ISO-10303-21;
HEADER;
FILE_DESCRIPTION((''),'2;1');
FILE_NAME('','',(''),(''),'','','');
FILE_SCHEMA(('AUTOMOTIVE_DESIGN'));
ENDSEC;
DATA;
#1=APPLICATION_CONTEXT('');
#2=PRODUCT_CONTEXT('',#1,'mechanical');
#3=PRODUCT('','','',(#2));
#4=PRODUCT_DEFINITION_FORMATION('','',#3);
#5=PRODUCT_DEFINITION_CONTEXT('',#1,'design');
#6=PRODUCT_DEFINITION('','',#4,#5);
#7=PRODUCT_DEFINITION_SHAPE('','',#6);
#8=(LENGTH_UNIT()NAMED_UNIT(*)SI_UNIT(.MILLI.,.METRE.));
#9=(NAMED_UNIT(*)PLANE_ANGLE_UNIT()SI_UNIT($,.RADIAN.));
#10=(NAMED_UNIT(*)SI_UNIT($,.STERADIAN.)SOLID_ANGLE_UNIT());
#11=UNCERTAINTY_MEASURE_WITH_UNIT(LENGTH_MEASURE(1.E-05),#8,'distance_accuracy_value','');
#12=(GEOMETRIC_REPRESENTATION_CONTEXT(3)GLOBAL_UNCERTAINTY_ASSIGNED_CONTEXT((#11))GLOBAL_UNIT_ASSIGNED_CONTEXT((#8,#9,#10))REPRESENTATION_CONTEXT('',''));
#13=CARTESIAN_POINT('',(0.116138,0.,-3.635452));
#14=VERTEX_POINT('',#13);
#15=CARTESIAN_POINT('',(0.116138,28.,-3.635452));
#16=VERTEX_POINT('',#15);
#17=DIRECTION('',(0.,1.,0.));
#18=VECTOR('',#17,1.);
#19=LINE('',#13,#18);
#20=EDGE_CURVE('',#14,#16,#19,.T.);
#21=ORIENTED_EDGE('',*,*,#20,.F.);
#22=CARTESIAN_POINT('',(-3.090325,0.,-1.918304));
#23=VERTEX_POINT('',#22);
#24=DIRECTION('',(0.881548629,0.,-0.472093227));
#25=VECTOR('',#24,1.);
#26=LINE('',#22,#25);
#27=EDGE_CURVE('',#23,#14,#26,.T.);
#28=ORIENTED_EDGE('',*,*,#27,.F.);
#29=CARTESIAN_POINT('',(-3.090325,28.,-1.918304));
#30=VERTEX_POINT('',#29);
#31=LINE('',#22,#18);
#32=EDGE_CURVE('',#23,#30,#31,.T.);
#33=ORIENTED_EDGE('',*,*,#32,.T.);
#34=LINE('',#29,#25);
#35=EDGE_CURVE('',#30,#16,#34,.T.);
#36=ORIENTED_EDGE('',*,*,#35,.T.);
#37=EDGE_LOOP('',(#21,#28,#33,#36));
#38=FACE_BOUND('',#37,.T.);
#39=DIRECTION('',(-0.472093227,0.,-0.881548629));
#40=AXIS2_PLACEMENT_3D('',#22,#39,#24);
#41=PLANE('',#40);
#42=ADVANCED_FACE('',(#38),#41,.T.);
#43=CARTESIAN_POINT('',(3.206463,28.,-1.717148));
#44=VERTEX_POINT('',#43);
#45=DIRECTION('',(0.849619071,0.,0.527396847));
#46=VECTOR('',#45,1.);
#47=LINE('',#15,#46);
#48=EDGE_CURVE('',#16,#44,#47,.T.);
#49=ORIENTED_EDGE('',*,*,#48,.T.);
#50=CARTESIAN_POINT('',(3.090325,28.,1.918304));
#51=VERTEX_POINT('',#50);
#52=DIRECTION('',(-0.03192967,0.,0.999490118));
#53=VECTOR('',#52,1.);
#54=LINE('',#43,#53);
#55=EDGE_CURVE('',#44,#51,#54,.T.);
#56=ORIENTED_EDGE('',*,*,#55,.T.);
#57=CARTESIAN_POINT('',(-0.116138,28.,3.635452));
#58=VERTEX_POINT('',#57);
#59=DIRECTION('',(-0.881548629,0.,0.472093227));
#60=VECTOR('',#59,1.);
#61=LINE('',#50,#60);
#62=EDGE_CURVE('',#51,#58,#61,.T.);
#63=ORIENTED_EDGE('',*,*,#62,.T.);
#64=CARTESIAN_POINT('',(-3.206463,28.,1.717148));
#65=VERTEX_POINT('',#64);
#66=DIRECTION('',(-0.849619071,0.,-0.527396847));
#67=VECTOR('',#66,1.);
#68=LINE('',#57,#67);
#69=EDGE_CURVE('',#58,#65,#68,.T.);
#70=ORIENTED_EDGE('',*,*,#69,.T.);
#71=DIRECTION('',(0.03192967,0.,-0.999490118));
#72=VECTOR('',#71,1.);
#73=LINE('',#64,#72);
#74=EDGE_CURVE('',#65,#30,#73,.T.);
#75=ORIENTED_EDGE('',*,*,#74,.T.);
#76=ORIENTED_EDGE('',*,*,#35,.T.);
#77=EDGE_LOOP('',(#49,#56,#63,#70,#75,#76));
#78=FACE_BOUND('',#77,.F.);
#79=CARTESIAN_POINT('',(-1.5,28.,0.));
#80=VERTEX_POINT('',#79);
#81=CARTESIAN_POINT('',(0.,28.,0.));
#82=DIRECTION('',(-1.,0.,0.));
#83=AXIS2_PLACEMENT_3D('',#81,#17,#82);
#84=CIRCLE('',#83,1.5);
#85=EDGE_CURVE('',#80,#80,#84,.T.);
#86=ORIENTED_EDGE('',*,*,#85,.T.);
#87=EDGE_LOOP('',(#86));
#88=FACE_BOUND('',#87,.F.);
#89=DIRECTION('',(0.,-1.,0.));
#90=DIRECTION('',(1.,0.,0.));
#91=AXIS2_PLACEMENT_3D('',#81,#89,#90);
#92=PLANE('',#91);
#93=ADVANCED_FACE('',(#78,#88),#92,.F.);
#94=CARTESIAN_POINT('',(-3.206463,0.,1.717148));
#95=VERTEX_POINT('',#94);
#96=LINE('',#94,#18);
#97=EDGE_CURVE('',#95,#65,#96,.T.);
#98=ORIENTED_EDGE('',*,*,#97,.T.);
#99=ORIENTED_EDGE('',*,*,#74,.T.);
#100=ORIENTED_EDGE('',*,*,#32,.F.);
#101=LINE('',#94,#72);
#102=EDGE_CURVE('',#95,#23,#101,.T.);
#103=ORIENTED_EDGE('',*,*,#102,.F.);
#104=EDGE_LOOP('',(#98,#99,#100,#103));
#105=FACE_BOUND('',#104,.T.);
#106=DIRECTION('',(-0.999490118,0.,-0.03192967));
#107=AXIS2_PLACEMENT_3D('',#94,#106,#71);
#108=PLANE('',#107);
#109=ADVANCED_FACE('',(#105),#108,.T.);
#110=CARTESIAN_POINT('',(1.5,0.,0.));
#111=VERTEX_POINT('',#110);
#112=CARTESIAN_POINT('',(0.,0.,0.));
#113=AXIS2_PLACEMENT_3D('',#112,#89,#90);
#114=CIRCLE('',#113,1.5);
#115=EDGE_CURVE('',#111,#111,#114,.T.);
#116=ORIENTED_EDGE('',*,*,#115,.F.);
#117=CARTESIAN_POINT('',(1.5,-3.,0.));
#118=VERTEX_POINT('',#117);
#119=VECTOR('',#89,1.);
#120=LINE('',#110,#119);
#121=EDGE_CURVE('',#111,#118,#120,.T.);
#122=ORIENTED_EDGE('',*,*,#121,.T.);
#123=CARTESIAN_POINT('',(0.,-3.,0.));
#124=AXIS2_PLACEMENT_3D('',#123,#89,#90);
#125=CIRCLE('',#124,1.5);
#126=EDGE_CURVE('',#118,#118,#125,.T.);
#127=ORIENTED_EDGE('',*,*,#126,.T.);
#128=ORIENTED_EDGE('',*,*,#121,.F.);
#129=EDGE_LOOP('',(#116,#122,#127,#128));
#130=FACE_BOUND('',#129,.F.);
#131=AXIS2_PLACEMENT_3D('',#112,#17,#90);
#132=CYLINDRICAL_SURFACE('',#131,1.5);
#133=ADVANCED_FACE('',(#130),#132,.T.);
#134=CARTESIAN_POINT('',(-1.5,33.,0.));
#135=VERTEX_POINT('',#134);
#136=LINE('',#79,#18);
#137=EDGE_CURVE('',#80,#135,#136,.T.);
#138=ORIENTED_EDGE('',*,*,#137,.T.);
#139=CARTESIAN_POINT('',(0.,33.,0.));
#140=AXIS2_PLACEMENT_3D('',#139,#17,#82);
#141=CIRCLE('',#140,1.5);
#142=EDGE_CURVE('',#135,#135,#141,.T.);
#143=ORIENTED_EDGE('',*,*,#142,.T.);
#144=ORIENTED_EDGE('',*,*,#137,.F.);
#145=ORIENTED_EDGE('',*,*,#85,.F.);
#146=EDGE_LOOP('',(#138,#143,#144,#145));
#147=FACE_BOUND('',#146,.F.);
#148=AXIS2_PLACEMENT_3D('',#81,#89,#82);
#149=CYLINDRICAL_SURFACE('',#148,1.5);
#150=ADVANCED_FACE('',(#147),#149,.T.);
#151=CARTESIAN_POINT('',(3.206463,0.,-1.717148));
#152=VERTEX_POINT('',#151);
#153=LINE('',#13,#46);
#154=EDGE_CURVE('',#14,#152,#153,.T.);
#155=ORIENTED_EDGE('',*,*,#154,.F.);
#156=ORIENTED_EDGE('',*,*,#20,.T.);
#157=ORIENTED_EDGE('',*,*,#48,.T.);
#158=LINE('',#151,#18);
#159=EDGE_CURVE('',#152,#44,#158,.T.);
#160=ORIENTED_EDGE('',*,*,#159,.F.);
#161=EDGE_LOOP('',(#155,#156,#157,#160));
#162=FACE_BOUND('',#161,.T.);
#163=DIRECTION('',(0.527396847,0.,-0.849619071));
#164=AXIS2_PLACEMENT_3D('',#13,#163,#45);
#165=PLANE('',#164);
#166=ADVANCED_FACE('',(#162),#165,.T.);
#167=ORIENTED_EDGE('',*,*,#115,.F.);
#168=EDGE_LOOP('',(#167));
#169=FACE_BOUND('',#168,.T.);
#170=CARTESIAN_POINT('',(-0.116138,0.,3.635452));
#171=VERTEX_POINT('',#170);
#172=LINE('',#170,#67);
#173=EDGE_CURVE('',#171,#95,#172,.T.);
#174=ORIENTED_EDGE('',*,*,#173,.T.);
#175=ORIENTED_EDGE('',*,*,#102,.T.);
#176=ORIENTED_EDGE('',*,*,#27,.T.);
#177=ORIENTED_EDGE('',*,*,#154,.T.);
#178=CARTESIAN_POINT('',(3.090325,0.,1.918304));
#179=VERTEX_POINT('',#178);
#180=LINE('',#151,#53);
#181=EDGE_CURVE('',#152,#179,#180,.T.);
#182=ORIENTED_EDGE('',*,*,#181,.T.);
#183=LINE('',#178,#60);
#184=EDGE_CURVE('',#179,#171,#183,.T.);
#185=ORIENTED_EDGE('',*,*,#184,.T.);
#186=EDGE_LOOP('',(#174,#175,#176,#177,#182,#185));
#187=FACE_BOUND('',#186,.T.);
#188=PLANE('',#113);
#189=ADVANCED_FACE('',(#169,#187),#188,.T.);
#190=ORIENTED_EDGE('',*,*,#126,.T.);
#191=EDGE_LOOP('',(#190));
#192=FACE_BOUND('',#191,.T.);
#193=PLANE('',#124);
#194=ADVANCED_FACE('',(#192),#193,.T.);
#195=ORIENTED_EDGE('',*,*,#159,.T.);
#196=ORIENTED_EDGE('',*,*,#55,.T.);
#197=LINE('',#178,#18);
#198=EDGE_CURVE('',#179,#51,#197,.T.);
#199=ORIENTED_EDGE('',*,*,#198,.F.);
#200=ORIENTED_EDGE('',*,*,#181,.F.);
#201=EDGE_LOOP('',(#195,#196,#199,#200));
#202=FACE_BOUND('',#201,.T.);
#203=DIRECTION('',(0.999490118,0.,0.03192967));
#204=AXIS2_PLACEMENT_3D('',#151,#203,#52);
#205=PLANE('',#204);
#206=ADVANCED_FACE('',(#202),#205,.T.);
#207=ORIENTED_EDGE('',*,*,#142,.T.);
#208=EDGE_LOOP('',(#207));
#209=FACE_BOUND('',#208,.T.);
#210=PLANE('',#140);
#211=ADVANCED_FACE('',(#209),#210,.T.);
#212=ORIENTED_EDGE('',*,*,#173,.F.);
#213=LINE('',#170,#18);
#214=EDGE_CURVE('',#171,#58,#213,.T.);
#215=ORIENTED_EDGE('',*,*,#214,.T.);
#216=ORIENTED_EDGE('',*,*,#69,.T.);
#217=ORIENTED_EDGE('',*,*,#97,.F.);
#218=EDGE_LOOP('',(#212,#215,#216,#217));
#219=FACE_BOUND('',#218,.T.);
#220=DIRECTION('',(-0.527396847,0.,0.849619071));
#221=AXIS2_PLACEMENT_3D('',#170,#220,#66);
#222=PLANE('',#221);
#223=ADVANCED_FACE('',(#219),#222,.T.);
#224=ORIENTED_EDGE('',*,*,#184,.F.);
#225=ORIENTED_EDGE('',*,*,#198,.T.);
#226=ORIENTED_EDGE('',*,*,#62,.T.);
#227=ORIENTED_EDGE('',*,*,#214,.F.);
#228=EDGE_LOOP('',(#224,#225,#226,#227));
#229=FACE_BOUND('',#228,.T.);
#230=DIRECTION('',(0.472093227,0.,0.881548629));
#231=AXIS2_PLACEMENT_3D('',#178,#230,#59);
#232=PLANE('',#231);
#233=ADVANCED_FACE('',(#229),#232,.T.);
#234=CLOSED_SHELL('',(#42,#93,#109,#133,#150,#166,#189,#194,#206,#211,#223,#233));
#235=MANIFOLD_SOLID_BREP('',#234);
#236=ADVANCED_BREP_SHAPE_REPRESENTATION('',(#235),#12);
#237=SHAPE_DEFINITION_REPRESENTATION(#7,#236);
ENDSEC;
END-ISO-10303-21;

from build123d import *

# Parameters (mm, degrees)
F1_DEPTH = 28
F2_R     = 1.5
F3_DEPTH = 3
F4_R     = 1.5
F5_DEPTH = 5


with BuildPart() as f1:
    # F0 (on Front) → F1 (new body)
    with BuildSketch(Plane.XZ):
        Polygon((0.116138, -3.635452), (3.206463, -1.717148), (3.090325, 1.918304), (-0.116138, 3.635452), (-3.206463, 1.717148), (-3.090325, -1.918304), align=None)
    extrude(amount=-F1_DEPTH)

    # F2 (on face) → F3 (join)
    with BuildSketch(Plane.XZ):
        Circle(F2_R)
    extrude(amount=F3_DEPTH)

    # F4 (on face) → F5 (join)
    with BuildSketch(Plane(origin=(0, 28, 0), x_dir=(-1, 0, 0), z_dir=(0, 1, 0))):
        Circle(F4_R)
    extrude(amount=F5_DEPTH)


solid = f1.part
